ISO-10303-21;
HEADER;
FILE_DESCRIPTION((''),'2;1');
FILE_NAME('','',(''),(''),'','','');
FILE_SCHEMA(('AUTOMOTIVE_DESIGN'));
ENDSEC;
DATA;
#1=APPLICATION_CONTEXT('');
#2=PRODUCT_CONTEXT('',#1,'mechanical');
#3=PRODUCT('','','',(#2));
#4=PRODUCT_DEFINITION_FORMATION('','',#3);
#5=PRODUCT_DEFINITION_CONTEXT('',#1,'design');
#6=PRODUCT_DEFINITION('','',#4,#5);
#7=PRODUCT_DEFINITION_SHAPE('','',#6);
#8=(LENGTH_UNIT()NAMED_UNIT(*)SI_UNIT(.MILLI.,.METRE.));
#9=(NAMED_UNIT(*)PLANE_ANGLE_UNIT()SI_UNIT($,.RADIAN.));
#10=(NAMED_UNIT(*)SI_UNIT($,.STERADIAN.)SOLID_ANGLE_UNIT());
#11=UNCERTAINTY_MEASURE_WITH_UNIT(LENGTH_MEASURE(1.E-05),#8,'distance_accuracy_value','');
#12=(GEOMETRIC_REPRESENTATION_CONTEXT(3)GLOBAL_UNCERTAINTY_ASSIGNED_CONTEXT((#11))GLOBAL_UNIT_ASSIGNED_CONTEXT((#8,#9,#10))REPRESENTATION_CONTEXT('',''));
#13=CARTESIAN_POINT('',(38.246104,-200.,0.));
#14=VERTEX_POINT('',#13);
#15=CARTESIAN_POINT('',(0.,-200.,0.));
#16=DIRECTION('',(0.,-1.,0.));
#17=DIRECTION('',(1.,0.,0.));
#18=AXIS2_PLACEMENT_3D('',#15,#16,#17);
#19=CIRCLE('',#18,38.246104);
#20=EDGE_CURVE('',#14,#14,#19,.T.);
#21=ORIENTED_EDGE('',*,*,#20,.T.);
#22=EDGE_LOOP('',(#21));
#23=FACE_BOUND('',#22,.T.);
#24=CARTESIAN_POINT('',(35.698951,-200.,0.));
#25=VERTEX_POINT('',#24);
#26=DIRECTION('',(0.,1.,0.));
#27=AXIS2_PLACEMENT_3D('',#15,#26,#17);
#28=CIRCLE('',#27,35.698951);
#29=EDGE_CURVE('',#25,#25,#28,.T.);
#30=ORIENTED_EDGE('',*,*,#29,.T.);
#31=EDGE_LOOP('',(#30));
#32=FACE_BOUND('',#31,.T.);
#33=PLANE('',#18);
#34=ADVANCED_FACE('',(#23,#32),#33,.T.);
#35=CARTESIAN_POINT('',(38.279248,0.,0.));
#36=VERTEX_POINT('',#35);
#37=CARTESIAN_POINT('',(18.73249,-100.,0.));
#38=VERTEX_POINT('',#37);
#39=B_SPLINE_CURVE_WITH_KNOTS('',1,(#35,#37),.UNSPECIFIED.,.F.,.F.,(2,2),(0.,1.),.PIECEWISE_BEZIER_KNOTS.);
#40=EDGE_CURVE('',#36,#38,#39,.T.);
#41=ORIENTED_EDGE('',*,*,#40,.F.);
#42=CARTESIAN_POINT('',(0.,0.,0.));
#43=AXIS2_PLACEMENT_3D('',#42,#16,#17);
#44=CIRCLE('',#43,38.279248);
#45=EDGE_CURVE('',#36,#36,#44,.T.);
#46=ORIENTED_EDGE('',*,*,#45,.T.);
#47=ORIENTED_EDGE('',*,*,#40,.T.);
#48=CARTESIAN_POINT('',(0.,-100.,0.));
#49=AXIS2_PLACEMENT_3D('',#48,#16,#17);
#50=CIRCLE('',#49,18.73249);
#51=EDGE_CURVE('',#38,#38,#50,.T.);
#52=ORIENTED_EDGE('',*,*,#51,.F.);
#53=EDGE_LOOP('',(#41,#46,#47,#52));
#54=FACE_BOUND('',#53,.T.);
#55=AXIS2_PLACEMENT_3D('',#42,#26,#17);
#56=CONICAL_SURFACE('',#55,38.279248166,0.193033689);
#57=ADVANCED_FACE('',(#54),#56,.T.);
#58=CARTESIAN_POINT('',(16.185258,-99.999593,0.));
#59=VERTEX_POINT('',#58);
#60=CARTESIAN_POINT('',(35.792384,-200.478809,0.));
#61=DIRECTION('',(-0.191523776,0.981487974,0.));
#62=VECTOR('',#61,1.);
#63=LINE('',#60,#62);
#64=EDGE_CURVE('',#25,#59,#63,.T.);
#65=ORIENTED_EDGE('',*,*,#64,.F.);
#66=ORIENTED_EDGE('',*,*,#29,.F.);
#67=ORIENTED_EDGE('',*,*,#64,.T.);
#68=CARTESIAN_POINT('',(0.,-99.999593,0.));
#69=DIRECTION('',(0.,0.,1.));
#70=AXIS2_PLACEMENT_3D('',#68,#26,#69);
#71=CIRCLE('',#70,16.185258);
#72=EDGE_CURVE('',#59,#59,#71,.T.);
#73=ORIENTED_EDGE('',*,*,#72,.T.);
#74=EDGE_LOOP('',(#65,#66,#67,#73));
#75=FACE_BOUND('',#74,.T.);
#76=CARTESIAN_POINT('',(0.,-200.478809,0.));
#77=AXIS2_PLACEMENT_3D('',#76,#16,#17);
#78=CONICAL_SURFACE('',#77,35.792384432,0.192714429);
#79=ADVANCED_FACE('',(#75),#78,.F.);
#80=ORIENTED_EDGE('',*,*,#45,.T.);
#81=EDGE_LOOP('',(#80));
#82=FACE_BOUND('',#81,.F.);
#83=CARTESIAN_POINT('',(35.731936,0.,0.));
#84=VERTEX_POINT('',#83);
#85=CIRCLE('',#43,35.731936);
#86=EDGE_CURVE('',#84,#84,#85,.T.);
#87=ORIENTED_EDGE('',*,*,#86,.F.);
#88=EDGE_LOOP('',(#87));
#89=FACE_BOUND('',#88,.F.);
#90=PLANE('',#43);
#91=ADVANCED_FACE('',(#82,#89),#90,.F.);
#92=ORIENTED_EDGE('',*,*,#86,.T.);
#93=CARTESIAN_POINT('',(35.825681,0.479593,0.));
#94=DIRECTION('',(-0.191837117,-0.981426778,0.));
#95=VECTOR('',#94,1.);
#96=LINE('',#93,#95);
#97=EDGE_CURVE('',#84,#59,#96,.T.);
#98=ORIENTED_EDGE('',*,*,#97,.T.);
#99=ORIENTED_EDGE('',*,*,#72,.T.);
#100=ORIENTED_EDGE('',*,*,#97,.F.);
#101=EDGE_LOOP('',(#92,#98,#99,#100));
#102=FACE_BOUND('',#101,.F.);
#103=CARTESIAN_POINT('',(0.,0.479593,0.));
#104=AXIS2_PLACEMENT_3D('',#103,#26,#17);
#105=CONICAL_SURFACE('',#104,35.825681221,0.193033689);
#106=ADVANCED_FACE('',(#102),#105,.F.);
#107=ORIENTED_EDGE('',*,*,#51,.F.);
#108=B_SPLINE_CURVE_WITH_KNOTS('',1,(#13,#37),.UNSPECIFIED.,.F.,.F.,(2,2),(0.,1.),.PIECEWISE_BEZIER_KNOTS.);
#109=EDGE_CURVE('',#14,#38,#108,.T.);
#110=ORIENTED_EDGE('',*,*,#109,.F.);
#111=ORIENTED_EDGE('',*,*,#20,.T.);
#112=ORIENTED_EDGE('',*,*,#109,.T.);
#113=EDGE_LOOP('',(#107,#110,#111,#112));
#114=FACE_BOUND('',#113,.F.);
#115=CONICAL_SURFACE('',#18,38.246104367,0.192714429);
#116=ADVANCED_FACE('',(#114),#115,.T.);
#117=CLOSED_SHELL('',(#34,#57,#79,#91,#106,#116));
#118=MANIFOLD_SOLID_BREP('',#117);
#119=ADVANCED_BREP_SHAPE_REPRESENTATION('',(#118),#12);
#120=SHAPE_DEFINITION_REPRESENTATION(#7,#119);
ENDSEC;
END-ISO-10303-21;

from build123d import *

# Parameters (mm, degrees)
F0_R      = 38.279248166
F2_R      = 18.7324901921
F5_R      = 38.2461043671
F3_FACE_R = 18.7324901921
F7_T      = -2.5


with BuildPart() as f3:
    # F0 (on Front) → F3 section 0
    with BuildSketch(Plane.XZ):
        Circle(F0_R)
    # F2 (on offset) → F3 section 1
    with BuildSketch(Plane.XZ.offset(100)):
        Circle(F2_R)
    loft()

    # F5 (on offset) → F6 section 0
    with BuildSketch(Plane.XZ.offset(200)):
        Circle(F5_R)
    # F3_face (on face) → F6 section 1
    with BuildSketch(Plane.XZ.offset(100)):
        Circle(F3_FACE_R)
    loft()

    # F7
    f7_openings = [f3.faces().sort_by_distance(p)[0] for p in [
        (0, -200, 0),
        (0, 0, 0),
    ]]
    offset(amount=F7_T, openings=f7_openings, kind=Kind.INTERSECTION)


solid = f3.part
